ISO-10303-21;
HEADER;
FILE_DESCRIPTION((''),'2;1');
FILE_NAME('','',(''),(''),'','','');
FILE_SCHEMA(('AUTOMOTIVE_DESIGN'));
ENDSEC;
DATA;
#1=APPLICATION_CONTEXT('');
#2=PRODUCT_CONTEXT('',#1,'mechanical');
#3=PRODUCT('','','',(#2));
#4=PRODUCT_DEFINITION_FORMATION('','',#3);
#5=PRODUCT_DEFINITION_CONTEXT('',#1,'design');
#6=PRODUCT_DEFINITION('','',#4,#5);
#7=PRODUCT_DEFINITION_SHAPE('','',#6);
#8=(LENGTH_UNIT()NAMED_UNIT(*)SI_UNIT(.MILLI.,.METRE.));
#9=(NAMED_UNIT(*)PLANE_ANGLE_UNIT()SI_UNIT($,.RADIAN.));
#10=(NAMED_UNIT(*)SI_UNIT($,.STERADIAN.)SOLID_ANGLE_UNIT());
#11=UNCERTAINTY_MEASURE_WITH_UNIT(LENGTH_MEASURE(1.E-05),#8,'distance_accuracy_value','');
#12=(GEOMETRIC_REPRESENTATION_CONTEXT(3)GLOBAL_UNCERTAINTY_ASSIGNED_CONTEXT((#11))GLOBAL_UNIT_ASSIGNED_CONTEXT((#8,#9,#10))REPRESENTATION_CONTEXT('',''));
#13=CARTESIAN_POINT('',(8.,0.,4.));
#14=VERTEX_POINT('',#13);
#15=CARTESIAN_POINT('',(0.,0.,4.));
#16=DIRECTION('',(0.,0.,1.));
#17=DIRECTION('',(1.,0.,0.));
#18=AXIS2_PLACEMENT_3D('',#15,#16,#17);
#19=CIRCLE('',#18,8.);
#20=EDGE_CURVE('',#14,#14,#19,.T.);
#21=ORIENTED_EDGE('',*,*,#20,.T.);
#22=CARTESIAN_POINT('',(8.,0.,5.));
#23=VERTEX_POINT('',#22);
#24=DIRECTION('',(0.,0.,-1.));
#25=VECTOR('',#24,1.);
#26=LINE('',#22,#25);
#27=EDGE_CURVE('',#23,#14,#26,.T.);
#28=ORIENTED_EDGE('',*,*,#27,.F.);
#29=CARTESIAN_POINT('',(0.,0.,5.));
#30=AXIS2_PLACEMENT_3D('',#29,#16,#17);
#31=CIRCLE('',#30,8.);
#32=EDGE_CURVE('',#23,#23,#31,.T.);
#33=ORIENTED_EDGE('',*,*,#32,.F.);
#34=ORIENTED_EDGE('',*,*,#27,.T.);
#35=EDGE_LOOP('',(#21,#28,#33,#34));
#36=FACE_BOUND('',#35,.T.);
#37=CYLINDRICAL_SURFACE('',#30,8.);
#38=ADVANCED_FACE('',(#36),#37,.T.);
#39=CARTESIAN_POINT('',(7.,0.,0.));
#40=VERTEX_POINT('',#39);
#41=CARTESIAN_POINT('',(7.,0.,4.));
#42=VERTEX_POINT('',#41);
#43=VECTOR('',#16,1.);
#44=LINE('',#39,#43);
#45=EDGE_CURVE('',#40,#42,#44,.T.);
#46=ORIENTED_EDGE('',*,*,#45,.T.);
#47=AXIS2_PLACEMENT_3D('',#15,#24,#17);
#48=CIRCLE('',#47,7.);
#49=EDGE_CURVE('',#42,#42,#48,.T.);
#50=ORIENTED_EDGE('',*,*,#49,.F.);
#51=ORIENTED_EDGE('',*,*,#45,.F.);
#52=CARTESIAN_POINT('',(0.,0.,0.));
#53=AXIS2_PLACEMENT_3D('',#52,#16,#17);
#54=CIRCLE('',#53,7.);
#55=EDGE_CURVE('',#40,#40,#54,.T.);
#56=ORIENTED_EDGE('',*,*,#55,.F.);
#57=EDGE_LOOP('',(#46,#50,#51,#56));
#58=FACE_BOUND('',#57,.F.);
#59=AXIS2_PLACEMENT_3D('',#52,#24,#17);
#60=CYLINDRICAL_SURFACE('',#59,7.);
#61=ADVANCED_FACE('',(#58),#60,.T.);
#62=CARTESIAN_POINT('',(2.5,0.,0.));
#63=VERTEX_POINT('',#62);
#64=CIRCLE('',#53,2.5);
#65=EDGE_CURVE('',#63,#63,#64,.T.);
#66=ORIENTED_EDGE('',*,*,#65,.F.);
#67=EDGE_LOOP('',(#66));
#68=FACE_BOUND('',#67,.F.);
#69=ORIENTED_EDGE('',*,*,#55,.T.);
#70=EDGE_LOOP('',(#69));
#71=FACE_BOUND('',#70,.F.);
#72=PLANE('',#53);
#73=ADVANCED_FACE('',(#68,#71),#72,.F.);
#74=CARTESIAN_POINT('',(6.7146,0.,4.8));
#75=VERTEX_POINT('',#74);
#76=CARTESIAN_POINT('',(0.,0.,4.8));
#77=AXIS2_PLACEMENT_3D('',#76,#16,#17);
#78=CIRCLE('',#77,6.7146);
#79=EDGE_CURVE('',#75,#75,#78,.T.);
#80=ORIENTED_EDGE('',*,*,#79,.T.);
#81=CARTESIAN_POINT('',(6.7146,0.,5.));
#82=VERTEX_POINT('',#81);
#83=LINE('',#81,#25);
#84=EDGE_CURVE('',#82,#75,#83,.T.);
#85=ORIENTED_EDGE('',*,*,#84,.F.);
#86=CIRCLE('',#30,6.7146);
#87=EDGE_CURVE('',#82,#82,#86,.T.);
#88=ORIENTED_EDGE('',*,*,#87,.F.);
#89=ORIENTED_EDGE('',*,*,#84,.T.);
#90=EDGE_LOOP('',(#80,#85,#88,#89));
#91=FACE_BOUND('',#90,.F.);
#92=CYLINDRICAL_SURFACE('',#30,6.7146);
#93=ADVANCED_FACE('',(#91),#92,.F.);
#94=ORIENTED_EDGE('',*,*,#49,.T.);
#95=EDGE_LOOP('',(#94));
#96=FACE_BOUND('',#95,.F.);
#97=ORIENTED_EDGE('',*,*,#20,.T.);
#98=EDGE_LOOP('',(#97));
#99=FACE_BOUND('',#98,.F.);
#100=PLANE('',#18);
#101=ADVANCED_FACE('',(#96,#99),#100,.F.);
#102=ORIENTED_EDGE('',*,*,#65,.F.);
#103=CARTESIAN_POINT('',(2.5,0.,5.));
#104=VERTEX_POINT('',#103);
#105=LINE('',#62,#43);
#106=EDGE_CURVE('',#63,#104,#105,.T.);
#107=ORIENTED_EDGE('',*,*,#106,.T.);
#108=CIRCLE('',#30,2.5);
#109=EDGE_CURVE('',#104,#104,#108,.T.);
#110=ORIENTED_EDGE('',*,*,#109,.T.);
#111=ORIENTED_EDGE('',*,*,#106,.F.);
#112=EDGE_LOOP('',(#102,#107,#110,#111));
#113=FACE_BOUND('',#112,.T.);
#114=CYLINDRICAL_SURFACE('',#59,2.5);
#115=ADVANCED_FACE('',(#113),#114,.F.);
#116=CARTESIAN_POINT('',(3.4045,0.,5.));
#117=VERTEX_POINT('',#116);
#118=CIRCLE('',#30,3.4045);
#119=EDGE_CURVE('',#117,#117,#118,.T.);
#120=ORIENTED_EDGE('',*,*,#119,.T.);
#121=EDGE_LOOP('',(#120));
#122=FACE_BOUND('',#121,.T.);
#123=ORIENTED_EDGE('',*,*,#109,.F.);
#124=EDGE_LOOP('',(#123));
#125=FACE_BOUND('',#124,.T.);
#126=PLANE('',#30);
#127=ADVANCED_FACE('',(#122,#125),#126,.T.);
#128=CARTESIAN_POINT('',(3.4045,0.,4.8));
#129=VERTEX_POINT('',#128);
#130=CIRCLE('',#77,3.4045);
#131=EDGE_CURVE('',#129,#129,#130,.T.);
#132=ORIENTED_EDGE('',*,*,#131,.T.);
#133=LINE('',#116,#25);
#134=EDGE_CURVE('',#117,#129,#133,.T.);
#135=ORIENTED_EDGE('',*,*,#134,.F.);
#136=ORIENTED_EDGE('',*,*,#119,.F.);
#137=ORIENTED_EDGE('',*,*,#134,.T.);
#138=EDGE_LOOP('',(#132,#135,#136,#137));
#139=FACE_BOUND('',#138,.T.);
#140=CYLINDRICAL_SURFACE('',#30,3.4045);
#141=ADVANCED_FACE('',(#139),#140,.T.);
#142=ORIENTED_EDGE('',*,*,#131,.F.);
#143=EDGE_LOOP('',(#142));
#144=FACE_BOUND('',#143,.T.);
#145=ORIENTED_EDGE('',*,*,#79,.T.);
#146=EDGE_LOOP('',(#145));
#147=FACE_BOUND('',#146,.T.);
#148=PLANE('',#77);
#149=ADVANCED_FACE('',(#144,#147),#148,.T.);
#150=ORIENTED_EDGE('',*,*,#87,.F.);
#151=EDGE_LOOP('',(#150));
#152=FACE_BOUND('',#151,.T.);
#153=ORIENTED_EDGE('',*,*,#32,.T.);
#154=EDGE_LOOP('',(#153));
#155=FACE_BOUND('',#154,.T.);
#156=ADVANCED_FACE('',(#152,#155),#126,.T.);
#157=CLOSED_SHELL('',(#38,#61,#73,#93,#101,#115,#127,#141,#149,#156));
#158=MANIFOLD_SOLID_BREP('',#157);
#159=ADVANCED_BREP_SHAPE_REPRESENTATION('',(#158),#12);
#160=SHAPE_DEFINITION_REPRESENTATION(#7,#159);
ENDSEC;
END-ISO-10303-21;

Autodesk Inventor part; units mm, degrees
ref_plane "YZ Plane" through (0, 0, 0) normal (1, 0, 0) x (0, 1, 0)
ref_plane "XZ Plane" through (0, 0, 0) normal (0, 1, 0) x (-1, 0, 0)
ref_plane "XY Plane" through (0, 0, 0) normal (0, 0, 1) x (1, 0, 0)
sketch "Sketch1" plane through (0, 0, 0) normal (0, 0, 1) x (1, 0, 0)
  circle A0 centre (0, 0) radius 5.0674 projected
  circle A1 centre (0, 0) radius 2.5
  circle A2 centre (0, 0) radius 7
  point P0 (0, 0)
  dimension "d0" = 5
  dimension "d1" = 14
extrude "Extrusion1" add sketch "Sketch1" along normal blind 5 contours A0 | A2
sketch "Sketch2" plane through (0, 0, 5) normal (0, 0, 1) x (1, 0, 0)
  circle A0 centre (0, 0) radius 2.5931
  circle A1 centre (0, 0) radius 2.5 projected
  circle A2 centre (0, 0) radius 8
  dimension "d4" = 16
extrude "Extrusion2" add sketch "Sketch2" against normal blind 1 contours A2
sketch "Sketch3" plane through (0, 0, 5) normal (0, 0, 1) x (1, 0, 0)
  circle A0 centre (0, 0) radius 2.5 projected
  circle A1 centre (0, 0) radius 2.5 projected
  circle A2 centre (0, 0) radius 3.4045
  circle A3 centre (0, 0) radius 6.7146
  point P0 (0, 0)
extrude "Extrusion3" cut sketch "Sketch3" against normal blind 0.2 contours A3
properties part number "Flanged Bearing_CPY"
